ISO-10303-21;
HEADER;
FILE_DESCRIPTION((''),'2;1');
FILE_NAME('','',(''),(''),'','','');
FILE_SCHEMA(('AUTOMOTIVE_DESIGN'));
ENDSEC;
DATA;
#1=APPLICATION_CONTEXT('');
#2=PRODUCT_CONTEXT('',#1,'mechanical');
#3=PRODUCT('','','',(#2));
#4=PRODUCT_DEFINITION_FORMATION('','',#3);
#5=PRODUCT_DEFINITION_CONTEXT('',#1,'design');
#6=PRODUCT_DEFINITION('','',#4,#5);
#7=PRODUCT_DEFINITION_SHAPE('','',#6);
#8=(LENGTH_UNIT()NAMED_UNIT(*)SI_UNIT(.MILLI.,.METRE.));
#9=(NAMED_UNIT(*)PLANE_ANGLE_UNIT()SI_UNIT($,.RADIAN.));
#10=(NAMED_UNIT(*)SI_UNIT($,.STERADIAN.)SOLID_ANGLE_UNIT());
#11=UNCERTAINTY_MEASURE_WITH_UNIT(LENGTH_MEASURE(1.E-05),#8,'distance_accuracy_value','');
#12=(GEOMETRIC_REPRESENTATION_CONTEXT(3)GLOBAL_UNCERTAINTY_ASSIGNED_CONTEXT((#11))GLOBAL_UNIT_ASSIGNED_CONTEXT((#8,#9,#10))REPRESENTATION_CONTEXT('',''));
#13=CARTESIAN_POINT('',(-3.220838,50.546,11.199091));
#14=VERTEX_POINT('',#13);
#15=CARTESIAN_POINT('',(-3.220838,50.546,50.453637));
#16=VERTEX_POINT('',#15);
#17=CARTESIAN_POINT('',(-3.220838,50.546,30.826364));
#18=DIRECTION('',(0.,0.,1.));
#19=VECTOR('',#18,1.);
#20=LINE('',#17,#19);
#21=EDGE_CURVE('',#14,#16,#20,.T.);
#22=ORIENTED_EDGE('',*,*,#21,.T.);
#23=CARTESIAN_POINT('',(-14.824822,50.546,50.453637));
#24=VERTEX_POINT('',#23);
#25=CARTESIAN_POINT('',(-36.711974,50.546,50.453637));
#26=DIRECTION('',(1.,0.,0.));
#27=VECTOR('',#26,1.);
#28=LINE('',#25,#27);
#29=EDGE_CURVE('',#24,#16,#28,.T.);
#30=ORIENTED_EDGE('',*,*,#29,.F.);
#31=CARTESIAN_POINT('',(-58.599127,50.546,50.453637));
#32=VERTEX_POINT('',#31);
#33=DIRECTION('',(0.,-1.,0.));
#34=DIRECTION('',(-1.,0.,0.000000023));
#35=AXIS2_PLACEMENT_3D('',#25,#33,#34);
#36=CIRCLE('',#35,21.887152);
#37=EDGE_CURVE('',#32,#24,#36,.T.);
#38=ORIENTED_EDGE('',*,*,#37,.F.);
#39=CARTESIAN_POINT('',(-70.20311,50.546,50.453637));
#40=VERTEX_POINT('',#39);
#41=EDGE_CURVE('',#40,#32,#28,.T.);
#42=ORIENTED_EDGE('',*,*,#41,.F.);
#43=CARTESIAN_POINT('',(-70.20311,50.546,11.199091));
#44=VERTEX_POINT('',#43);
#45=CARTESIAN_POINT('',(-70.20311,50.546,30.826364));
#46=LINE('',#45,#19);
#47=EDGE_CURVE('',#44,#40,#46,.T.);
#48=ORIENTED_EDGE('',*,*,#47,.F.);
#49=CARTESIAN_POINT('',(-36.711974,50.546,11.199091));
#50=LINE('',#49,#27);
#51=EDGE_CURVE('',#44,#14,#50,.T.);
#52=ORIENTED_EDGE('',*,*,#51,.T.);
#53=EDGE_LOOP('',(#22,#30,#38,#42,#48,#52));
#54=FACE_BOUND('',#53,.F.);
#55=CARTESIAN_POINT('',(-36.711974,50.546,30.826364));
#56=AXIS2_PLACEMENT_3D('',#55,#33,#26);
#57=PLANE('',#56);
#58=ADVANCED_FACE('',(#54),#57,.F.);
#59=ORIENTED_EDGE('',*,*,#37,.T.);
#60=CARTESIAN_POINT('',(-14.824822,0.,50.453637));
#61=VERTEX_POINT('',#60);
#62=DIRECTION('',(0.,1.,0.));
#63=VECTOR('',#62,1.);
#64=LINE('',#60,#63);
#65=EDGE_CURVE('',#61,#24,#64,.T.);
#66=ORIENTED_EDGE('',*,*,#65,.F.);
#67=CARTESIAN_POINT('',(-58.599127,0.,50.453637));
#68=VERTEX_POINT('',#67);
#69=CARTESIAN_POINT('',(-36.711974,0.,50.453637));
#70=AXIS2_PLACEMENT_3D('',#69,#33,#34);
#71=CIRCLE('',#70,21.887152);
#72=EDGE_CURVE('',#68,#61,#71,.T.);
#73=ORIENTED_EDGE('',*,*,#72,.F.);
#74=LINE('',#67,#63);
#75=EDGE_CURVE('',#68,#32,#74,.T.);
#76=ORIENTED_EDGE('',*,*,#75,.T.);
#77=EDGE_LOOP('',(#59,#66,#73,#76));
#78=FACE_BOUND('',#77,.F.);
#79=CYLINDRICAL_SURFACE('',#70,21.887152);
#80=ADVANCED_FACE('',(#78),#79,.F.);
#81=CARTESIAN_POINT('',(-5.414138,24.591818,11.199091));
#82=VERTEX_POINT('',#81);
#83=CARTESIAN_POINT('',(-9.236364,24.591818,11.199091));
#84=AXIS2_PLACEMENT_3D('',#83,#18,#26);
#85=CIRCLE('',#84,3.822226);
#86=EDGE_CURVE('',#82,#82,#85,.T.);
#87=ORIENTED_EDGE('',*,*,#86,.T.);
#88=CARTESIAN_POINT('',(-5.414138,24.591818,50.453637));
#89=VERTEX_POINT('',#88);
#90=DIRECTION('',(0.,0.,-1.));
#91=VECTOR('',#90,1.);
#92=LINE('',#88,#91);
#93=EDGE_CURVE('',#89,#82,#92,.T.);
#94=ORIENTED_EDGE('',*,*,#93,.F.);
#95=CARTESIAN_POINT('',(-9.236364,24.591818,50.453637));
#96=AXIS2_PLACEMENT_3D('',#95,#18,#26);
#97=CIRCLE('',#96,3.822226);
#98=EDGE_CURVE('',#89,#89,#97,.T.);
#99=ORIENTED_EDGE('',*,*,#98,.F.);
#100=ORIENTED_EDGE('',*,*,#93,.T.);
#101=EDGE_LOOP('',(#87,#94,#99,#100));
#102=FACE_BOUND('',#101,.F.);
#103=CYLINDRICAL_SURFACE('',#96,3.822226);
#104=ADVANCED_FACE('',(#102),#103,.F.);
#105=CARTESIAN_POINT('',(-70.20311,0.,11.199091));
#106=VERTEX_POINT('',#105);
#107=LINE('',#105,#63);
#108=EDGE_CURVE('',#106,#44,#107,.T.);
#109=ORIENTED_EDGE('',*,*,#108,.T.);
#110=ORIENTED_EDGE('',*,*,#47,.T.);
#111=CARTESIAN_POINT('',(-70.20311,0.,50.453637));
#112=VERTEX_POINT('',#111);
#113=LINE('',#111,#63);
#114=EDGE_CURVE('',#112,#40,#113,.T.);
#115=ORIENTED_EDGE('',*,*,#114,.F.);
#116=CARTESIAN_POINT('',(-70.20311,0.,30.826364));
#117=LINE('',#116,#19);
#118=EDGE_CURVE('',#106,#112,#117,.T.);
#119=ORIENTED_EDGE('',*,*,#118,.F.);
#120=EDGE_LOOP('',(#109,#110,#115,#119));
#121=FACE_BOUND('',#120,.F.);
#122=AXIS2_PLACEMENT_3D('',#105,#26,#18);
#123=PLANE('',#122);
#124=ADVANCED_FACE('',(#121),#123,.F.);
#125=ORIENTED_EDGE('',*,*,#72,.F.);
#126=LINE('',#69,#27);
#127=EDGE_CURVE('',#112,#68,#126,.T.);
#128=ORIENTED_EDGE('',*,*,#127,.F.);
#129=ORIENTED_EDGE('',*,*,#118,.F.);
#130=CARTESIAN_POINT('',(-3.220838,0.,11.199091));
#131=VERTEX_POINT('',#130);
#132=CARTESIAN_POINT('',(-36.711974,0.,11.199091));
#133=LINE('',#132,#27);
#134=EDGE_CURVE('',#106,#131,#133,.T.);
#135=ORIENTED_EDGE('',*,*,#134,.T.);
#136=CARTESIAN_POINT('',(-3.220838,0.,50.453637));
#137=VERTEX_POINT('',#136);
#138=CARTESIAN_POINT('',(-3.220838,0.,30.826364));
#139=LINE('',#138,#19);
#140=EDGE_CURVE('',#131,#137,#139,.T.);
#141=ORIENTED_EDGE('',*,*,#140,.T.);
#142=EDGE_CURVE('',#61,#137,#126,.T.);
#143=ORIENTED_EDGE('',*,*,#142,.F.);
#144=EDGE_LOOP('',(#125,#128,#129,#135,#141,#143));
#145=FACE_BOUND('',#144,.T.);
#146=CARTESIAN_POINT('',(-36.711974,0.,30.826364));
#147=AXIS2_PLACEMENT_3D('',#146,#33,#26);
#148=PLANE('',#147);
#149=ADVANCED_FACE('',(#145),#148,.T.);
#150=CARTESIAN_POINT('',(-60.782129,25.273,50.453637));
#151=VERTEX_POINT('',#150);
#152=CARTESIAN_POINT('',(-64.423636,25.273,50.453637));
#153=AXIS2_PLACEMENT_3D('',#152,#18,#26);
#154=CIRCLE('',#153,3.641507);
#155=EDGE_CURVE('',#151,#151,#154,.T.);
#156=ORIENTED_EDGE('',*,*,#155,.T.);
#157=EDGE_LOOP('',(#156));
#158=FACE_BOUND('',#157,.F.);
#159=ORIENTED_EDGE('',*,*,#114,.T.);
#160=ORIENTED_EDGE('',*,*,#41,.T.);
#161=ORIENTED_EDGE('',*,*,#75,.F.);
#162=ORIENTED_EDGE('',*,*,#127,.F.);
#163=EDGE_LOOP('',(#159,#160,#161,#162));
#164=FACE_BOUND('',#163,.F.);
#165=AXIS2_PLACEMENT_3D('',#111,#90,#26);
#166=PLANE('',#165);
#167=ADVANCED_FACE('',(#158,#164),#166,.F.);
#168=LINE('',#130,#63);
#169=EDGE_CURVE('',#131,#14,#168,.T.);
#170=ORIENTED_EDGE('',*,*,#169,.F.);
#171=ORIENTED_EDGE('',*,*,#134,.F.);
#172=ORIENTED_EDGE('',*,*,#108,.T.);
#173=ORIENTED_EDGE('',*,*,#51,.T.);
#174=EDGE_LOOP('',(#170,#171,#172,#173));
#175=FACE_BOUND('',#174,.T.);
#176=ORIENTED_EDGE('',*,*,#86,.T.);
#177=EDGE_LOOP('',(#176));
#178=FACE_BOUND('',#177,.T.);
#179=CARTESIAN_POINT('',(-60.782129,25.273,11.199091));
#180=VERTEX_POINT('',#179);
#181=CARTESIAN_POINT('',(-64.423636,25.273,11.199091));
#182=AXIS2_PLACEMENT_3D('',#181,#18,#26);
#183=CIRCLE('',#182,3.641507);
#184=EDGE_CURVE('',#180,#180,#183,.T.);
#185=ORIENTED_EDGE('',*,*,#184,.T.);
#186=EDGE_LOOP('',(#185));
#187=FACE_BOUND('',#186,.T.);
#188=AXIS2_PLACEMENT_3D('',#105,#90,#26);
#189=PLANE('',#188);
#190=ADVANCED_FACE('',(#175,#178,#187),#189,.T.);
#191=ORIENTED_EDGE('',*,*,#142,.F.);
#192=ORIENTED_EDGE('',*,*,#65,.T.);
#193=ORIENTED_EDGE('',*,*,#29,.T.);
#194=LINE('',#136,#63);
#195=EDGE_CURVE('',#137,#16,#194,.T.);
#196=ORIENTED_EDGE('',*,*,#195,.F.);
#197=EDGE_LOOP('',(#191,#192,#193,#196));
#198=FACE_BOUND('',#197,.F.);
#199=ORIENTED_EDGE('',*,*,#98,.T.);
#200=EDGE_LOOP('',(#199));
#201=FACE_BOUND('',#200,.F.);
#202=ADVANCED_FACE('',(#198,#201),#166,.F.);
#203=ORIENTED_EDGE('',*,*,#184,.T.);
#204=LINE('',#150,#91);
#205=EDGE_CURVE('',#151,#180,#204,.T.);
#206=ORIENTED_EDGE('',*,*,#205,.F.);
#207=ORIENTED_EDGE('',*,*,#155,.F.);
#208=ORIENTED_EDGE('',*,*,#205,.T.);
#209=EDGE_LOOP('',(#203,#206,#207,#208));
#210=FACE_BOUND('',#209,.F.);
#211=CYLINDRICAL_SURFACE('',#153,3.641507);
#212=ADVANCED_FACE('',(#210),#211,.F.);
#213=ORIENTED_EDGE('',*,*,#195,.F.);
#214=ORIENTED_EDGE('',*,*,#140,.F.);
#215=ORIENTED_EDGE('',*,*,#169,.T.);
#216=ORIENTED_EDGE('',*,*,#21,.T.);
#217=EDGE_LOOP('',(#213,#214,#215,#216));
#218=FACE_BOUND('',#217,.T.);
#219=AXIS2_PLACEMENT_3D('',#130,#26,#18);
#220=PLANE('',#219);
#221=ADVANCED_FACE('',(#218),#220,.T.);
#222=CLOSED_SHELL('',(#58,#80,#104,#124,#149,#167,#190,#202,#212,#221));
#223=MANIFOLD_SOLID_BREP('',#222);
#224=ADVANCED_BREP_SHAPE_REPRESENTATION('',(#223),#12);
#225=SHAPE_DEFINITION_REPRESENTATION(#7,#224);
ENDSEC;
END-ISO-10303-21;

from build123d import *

# Parameters (mm, degrees)
F0_W     = 66.982273
F0_H     = 39.254546
F1_DEPTH = 50.546
F3_DEPTH = 60.198
F4_R     = 3.641507
F4_R_2   = 3.822226
F5_DEPTH = 136.652


with BuildPart() as f1:
    # F0 (on Front) → F1 (new body)
    with BuildSketch(Plane.XZ):
        with Locations((-36.711974, 30.826364)):
            Rectangle(F0_W, F0_H)
    extrude(amount=-F1_DEPTH)

    # F2 (on face) → F3 (cut)
    with BuildSketch(Plane.XZ):
        with BuildLine():
            ThreePointArc((-58.599127, 50.453637), (-36.711974, 28.566484), (-14.824822, 50.453637))
            Line((-14.824822, 50.453637), (-58.599127, 50.453637))
        make_face()
        with BuildLine():
            Line((-58.599127, 50.453637), (-14.824822, 50.453637))
            ThreePointArc((-14.824822, 50.453637), (-36.711974, 72.34079), (-58.599127, 50.453637))
        make_face()
    extrude(amount=-F3_DEPTH, mode=Mode.SUBTRACT)

    # F4 (on face) → F5 (cut)
    with BuildSketch(Plane.XY.offset(50.453637)):
        with Locations((-64.423636, 25.273)):
            Circle(F4_R)
        with Locations((-9.236364, 24.591818)):
            Circle(F4_R_2)
    extrude(amount=-F5_DEPTH, mode=Mode.SUBTRACT)


solid = f1.part
